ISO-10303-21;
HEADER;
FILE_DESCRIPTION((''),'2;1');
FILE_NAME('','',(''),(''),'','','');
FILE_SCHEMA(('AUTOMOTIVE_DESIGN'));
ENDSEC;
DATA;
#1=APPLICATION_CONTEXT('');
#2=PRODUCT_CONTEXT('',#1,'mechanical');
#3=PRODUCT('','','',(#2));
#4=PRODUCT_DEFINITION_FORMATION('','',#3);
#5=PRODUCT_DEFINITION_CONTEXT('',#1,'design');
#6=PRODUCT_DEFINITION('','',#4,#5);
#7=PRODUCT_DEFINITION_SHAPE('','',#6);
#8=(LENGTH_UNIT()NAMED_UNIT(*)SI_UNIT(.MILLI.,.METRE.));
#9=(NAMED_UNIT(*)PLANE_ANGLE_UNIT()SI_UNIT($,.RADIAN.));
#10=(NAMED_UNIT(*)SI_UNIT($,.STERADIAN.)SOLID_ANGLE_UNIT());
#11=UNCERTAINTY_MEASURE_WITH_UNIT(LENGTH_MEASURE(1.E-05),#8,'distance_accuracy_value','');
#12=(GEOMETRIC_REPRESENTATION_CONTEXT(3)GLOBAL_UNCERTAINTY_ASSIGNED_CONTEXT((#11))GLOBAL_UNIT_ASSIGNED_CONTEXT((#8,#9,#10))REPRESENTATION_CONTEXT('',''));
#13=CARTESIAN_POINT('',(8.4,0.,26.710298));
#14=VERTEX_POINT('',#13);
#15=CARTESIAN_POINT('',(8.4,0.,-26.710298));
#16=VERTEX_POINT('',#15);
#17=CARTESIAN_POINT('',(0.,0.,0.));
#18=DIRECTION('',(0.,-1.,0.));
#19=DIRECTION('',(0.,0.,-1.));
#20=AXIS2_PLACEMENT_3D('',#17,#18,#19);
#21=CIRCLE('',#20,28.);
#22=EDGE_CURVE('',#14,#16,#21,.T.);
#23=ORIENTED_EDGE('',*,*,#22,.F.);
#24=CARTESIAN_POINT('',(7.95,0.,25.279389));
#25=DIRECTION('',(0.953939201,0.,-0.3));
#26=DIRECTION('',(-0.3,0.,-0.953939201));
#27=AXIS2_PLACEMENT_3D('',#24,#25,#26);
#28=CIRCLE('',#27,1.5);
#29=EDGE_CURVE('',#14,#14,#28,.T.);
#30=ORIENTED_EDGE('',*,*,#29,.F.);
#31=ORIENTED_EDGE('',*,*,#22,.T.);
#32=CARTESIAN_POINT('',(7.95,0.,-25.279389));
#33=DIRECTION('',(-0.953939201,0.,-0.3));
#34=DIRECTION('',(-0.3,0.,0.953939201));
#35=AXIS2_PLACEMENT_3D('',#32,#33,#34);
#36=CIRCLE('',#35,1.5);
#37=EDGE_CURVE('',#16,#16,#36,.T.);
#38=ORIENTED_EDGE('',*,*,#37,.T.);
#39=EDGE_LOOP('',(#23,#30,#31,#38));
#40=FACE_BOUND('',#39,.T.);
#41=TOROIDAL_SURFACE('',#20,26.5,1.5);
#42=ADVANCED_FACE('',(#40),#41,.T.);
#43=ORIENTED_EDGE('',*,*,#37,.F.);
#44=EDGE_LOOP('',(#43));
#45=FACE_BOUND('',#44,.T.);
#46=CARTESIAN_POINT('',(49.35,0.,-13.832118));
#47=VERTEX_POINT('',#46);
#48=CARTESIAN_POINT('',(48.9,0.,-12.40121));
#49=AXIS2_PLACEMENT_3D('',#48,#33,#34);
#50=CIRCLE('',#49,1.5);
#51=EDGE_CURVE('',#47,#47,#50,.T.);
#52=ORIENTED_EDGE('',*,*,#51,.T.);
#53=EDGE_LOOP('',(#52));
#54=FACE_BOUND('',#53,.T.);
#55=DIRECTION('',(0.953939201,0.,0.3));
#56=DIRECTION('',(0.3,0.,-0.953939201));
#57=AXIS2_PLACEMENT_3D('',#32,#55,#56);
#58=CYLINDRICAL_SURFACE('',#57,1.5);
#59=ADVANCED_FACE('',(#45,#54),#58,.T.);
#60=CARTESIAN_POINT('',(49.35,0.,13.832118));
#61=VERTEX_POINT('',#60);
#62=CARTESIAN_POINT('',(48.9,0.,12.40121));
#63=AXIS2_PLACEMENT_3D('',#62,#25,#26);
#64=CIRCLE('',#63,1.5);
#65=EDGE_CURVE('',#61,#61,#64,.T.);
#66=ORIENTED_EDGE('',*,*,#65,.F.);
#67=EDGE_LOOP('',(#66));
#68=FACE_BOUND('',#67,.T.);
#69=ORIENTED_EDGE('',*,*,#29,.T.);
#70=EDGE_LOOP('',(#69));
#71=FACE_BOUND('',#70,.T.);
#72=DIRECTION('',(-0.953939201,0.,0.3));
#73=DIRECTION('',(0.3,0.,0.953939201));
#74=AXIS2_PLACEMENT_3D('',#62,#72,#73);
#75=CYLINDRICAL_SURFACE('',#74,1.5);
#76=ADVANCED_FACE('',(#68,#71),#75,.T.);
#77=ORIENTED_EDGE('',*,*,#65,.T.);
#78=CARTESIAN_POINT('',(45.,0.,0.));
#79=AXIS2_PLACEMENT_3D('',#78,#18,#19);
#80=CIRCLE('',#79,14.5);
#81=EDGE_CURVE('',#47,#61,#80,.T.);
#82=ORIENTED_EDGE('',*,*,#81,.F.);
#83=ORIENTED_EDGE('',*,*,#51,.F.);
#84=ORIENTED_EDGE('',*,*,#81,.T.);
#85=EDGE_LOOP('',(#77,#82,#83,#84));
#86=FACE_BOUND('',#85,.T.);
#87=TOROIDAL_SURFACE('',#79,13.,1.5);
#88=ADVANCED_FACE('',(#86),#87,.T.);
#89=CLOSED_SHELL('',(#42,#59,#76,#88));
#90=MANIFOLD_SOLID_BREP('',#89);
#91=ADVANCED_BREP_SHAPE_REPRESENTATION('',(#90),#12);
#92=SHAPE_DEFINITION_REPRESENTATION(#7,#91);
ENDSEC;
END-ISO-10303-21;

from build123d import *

# Parameters (mm, degrees)
SWEEP_1_PROFILE_R = 1.5


with BuildPart() as part:
    # 扫描1: sweep along a path in 草图1
    with BuildLine(Plane(origin=(0, 0, 0), x_dir=(1, 0, 0), z_dir=(0, 1, 0))) as sweep_1_path:
        Line((7.95, -25.279388838), (48.9, -12.401209618))
        ThreePointArc((48.9, -12.401209618), (58, 0), (48.9, 12.401209618))
        Line((48.9, 12.401209618), (7.95, 25.279388838))
        ThreePointArc((7.95, 25.279388838), (-26.5, 0), (7.95, -25.279388838))
    # 扫描1 profile (on start of the path) → 扫描1 (sweep)
    with BuildSketch(Plane(origin=(7.95, 0, 25.279388838), x_dir=(0.3, 0, 0.953939201), z_dir=(0.953939201, 0, -0.3))):
        Circle(SWEEP_1_PROFILE_R)
    sweep(path=sweep_1_path.line)


solid = part.part
